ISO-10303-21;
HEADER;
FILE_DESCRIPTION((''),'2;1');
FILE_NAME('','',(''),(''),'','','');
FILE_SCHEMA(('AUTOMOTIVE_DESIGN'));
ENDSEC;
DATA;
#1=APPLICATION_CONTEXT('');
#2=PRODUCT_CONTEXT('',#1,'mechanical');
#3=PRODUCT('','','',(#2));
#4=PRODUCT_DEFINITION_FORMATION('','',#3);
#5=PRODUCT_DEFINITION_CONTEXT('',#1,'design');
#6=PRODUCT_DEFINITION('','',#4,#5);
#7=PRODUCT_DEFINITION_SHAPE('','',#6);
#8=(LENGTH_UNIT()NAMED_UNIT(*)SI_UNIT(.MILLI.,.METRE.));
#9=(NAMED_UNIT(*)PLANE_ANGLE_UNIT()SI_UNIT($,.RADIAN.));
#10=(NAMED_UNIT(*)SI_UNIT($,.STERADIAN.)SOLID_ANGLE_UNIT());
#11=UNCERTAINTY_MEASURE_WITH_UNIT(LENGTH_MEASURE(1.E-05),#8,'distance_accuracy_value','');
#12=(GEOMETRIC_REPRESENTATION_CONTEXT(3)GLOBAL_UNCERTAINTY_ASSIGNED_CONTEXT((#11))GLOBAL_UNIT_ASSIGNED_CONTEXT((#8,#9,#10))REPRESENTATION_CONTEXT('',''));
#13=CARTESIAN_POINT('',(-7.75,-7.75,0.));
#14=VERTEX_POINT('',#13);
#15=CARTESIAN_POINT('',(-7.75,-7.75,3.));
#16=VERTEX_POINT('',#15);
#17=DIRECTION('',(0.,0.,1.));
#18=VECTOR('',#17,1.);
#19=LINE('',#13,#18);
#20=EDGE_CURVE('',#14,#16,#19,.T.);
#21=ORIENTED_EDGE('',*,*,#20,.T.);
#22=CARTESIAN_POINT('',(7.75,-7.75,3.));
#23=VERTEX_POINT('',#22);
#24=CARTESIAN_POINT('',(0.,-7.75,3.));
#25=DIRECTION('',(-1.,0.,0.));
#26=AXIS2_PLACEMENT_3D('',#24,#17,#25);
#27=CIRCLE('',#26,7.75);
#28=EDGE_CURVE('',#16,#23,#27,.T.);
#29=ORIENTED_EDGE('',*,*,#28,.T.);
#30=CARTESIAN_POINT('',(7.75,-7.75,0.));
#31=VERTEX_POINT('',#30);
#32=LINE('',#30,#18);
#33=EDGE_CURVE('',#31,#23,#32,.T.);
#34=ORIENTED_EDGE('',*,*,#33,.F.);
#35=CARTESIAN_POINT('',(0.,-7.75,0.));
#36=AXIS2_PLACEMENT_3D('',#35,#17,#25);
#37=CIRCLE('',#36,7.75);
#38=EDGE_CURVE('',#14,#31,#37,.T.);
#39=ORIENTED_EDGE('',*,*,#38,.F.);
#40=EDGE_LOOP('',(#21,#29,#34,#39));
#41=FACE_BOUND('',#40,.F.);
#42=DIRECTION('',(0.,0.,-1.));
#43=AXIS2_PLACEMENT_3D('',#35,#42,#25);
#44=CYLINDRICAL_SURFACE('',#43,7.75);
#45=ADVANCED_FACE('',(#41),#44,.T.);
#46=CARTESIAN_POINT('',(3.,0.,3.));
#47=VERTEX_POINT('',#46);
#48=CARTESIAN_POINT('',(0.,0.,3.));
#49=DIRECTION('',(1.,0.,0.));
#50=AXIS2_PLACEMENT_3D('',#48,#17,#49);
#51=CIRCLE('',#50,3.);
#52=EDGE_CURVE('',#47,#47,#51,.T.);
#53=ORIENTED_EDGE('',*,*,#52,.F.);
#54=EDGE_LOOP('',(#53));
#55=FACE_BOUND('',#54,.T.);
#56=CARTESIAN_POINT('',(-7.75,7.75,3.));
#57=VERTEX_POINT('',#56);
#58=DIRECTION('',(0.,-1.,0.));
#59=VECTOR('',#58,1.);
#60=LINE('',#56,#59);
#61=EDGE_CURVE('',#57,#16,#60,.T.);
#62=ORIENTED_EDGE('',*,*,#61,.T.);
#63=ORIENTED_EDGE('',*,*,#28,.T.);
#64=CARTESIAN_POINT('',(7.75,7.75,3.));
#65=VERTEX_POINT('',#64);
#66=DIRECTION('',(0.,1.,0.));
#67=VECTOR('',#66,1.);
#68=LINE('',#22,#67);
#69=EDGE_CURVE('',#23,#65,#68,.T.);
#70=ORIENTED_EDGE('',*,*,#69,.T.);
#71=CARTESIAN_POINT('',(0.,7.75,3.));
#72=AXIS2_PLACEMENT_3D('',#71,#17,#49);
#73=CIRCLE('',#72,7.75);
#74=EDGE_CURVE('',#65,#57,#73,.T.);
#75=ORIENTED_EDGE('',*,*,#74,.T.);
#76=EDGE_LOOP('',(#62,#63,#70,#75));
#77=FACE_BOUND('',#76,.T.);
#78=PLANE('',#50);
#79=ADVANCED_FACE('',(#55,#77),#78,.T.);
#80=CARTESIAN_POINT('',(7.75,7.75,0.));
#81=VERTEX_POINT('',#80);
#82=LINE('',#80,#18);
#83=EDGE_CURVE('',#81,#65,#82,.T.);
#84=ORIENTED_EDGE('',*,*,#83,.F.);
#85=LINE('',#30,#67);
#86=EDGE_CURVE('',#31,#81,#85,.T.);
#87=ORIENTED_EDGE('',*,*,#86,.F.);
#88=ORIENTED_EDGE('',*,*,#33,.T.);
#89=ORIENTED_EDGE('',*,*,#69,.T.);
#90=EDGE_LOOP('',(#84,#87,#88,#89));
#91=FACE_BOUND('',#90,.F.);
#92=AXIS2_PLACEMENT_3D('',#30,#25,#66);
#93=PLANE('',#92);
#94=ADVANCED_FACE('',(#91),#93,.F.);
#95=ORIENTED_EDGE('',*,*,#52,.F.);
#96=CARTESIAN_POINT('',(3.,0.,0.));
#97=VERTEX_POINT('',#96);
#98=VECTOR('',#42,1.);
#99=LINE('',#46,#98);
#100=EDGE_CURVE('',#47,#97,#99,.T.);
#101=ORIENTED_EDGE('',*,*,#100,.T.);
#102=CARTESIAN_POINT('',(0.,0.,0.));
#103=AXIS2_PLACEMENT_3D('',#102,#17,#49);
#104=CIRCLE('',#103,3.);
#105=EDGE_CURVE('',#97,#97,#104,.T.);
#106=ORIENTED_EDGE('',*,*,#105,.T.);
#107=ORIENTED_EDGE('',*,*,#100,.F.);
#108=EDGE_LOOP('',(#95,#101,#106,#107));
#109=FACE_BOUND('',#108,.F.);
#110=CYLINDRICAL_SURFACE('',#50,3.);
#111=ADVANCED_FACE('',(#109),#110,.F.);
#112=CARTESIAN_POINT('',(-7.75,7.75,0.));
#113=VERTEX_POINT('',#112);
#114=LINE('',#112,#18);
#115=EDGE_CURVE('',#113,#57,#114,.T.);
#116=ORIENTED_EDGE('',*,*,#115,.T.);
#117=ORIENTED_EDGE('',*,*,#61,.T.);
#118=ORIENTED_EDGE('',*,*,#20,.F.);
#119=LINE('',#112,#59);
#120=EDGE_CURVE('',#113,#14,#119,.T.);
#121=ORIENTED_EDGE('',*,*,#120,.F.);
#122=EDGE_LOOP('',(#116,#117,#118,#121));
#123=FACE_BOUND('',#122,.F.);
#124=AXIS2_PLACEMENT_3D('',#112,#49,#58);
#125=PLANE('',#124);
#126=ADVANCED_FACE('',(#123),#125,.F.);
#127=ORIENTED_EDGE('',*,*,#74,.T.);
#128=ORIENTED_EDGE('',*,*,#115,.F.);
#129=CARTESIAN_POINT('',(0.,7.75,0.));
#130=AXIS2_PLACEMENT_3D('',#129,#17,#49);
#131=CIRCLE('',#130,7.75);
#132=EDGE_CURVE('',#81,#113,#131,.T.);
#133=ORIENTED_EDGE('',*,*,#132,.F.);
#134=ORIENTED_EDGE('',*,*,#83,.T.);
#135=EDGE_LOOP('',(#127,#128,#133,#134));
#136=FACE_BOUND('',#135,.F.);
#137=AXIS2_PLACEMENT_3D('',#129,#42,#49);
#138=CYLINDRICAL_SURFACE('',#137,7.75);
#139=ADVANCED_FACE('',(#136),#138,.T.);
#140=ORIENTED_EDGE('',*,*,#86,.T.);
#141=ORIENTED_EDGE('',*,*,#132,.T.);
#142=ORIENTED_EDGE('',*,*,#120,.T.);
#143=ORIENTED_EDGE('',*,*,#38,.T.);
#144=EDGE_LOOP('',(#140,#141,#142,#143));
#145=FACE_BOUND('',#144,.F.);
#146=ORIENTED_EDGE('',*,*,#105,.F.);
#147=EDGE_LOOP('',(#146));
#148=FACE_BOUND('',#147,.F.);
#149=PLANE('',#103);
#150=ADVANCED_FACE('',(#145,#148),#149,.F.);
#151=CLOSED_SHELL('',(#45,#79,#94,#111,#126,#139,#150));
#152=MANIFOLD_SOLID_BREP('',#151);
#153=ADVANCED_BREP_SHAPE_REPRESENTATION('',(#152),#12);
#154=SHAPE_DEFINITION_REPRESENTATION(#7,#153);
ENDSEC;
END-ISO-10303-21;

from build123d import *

# Parameters (mm, degrees)
F1_DEPTH = 3
F2_R     = 3
F3_DEPTH = 25


with BuildPart() as f1:
    # F0 (on Top) → F1 (new body)
    with BuildSketch(Plane.XY):
        with BuildLine():
            ThreePointArc((7.75, 7.75), (0, 15.5), (-7.75, 7.75))
            Line((-7.75, 7.75), (-7.75, -7.75))
            ThreePointArc((-7.75, -7.75), (0, -15.5), (7.75, -7.75))
            Line((7.75, -7.75), (7.75, 7.75))
        make_face()
    extrude(amount=F1_DEPTH)

    # F2 (on face) → F3 (cut)
    with BuildSketch(Plane.XY.offset(3)):
        Circle(F2_R)
    extrude(amount=-F3_DEPTH, mode=Mode.SUBTRACT)


solid = f1.part
